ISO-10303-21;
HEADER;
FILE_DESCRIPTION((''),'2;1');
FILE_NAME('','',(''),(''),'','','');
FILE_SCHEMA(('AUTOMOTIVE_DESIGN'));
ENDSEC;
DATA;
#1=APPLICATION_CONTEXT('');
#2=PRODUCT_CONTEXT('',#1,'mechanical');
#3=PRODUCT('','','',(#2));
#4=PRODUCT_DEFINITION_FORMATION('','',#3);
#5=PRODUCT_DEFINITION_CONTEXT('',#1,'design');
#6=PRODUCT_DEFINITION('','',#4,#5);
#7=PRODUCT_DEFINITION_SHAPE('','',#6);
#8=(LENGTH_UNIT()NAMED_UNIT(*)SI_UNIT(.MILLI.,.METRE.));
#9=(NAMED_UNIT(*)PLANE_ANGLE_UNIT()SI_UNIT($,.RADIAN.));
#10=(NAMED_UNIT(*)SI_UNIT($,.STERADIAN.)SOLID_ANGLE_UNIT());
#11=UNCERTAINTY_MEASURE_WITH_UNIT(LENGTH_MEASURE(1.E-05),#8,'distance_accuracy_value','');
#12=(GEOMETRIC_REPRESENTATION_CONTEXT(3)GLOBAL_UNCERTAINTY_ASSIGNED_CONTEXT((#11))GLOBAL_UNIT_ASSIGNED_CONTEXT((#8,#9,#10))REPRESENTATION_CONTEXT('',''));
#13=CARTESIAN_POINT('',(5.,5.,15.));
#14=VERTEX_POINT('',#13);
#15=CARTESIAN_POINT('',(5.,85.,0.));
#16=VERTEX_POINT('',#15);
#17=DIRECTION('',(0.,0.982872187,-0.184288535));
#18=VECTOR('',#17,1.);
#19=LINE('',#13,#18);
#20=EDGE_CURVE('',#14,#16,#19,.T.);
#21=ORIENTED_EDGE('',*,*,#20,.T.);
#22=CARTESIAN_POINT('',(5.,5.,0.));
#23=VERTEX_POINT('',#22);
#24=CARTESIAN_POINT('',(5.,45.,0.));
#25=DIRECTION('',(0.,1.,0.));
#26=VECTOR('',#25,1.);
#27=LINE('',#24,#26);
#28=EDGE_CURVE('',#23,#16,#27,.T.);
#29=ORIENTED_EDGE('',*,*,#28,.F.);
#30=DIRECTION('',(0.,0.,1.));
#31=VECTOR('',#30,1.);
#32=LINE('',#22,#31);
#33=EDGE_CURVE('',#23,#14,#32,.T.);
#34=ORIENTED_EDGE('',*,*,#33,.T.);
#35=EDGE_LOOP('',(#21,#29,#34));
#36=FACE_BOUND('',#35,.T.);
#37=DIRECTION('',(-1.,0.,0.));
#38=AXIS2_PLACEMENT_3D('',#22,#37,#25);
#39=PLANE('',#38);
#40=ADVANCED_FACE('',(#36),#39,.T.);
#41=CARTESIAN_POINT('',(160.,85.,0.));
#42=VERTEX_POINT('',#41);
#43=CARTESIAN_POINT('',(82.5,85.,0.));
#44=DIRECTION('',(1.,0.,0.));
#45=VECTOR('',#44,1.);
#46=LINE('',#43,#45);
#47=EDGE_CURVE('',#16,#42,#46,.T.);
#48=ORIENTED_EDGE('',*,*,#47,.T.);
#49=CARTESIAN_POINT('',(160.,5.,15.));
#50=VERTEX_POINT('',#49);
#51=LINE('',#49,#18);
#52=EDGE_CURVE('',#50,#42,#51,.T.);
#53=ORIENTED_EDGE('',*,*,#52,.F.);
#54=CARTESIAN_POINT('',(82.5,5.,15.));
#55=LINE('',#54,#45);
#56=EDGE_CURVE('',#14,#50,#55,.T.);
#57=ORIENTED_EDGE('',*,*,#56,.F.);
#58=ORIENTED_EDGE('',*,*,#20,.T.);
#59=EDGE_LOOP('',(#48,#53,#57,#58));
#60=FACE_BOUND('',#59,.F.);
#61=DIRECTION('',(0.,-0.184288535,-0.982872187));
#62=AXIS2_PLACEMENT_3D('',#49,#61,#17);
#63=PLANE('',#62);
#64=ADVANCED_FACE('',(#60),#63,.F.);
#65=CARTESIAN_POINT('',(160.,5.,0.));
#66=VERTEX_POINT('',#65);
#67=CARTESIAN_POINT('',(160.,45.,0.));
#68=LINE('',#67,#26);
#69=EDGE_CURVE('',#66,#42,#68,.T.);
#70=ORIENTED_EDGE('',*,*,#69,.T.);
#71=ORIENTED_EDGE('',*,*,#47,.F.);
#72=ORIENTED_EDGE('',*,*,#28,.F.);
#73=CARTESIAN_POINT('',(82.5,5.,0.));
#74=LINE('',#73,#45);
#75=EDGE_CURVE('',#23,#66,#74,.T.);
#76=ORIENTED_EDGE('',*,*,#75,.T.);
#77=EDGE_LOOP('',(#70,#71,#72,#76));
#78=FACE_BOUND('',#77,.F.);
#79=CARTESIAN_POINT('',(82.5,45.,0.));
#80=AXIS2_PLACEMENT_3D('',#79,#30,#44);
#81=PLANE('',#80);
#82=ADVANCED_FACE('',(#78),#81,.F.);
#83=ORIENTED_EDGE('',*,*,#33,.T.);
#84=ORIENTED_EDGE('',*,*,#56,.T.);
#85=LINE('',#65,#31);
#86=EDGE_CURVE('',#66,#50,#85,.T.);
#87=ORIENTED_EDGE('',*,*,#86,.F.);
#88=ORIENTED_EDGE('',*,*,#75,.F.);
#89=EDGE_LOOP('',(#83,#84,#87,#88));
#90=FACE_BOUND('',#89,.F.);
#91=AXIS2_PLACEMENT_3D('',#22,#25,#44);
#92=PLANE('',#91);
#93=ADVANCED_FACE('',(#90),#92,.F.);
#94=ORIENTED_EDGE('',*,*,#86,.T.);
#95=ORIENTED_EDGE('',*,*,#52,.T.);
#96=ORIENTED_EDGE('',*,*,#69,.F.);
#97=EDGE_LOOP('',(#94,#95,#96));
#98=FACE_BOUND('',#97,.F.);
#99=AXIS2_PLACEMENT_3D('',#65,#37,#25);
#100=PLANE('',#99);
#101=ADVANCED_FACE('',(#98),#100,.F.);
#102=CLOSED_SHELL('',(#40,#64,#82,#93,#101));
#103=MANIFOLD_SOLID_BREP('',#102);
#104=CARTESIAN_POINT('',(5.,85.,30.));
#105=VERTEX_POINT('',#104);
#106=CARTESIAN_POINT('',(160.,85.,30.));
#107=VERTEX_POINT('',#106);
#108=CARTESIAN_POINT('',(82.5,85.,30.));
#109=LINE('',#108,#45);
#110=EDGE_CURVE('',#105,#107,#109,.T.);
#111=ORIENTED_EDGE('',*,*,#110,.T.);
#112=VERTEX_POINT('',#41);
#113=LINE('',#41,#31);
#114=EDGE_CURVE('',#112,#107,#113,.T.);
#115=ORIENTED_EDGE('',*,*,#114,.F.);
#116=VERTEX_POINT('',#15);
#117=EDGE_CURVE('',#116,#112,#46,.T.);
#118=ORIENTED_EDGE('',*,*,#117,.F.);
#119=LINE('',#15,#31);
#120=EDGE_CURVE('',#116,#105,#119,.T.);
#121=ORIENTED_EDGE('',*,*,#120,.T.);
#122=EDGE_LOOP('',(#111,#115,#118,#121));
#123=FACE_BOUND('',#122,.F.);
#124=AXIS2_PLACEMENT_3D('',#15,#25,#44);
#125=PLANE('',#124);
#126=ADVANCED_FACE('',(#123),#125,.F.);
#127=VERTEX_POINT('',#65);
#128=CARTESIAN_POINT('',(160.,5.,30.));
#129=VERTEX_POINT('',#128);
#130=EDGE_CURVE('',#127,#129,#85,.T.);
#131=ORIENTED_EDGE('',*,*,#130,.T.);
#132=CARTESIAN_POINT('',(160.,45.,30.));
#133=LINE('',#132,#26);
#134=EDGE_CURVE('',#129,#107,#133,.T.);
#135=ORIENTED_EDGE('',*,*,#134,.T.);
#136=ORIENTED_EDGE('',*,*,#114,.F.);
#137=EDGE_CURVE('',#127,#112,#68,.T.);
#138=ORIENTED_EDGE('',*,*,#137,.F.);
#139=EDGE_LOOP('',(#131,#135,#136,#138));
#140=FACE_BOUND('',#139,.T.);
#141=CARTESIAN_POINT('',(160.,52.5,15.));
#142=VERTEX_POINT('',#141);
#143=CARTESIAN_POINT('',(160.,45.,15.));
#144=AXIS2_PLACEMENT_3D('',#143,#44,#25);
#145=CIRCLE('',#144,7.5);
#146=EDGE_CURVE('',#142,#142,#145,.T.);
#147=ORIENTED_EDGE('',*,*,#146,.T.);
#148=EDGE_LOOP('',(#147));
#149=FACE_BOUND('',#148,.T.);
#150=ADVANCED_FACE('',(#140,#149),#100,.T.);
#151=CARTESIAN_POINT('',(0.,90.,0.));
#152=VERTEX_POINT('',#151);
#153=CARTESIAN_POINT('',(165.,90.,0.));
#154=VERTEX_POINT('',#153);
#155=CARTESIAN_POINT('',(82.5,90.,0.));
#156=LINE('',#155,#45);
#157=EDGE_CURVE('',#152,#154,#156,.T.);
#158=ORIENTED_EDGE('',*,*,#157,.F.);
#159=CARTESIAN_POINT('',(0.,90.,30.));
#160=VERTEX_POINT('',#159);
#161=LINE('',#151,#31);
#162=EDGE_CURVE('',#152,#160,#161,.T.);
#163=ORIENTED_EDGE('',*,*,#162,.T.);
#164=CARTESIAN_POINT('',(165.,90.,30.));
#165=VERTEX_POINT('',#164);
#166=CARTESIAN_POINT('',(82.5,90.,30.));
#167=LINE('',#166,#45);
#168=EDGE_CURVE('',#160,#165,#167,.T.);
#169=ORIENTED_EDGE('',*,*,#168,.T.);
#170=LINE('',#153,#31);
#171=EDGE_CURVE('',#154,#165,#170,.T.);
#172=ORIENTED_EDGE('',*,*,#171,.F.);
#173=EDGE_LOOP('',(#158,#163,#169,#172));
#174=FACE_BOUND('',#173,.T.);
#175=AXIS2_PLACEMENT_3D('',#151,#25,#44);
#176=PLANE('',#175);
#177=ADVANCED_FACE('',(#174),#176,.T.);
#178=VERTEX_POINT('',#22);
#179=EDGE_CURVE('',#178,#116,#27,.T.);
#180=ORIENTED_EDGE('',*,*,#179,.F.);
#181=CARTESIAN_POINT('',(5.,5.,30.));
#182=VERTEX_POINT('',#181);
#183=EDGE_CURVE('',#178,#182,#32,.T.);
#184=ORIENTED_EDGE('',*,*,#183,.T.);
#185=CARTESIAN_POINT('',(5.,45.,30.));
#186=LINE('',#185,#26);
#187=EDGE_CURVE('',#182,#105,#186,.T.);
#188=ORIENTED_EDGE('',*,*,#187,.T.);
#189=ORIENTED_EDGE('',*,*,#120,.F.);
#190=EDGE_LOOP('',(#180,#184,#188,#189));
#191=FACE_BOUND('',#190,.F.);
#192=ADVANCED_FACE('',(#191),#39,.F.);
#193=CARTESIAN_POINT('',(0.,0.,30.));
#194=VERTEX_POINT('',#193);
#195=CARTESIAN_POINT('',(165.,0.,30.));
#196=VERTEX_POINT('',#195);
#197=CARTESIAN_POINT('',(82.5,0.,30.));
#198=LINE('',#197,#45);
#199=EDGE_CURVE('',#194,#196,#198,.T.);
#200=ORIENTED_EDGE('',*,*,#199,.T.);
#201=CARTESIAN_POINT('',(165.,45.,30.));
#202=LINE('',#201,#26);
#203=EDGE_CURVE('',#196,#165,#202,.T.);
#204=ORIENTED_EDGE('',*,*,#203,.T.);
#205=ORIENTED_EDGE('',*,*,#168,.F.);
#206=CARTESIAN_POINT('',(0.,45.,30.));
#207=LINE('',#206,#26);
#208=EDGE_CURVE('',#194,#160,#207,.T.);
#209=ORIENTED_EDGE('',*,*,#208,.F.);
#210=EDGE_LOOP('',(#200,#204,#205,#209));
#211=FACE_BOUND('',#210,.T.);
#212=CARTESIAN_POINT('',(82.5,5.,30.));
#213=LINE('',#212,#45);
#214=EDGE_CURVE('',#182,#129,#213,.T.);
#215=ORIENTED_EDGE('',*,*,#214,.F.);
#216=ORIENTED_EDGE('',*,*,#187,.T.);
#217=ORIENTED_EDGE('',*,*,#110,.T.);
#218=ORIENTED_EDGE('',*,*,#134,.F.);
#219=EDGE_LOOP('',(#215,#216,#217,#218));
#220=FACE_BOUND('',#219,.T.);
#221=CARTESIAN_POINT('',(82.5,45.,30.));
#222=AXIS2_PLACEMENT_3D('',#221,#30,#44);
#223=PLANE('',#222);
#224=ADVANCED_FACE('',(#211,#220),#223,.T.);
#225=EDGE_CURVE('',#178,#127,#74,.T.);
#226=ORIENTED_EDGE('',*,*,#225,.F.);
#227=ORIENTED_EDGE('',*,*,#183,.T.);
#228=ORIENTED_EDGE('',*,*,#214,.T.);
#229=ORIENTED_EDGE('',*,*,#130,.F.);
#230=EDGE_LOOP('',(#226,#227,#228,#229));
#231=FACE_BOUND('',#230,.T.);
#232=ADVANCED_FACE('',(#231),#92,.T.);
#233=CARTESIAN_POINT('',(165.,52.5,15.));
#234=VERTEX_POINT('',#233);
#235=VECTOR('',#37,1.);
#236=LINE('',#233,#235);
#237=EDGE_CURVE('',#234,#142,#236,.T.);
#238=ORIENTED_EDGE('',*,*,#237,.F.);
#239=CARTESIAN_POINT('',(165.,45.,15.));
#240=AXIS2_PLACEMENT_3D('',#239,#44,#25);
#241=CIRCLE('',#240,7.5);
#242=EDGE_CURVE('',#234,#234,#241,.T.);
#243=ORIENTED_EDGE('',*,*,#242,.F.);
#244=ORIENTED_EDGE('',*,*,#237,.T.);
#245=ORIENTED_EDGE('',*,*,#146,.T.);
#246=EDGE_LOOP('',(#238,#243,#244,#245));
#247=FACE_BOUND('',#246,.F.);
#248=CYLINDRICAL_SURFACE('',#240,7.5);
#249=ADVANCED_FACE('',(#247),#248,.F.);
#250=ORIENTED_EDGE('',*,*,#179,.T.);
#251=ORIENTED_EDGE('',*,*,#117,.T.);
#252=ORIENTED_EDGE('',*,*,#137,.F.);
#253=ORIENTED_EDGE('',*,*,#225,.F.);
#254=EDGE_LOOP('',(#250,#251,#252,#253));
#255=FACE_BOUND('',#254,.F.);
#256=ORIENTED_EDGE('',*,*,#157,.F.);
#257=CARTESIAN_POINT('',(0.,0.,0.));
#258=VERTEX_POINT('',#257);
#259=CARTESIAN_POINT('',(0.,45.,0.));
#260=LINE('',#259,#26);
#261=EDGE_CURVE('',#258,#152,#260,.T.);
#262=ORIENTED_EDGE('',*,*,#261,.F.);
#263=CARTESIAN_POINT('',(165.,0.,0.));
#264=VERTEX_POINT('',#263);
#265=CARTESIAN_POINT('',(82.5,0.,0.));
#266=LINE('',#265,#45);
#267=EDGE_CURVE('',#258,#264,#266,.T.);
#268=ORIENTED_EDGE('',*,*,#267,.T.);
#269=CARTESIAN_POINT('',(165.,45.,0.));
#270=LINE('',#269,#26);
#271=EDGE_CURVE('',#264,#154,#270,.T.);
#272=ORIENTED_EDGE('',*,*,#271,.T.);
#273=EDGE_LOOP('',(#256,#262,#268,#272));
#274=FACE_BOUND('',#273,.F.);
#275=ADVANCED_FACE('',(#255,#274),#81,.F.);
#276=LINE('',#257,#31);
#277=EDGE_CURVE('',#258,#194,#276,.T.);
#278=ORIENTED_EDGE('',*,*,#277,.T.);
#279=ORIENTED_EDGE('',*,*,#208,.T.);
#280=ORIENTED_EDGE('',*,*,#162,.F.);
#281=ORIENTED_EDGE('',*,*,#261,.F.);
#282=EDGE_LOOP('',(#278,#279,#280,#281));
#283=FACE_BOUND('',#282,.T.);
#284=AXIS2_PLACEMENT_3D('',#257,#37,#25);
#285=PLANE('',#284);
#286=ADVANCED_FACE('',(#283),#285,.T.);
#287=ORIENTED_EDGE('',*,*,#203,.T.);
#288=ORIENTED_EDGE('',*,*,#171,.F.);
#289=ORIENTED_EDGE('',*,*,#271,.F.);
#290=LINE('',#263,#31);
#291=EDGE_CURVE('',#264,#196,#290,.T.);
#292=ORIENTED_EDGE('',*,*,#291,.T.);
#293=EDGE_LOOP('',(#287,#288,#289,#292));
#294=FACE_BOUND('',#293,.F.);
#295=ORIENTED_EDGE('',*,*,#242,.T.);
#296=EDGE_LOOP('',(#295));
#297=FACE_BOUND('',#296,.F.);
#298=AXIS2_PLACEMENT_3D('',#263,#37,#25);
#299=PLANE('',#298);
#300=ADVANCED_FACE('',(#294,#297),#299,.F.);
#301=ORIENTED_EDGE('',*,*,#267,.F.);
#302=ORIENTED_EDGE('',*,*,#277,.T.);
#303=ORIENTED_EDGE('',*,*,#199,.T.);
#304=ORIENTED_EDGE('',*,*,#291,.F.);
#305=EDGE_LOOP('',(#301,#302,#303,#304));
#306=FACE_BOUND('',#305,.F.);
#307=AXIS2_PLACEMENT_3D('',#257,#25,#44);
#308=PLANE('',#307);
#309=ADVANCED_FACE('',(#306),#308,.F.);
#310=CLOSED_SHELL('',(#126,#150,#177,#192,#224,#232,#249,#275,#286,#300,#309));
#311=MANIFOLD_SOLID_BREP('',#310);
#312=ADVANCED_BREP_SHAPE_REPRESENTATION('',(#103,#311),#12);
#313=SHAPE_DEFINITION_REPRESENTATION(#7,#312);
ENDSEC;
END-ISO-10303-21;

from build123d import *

# Parameters (mm, degrees)
F0_W     = 155
F0_H     = 80
F1_DEPTH = 15
F3_DEPTH = 155
F0_W_2   = 165
F0_H_2   = 90
F4_DEPTH = 30
F5_R     = 7.5
F6_DEPTH = 5


with BuildPart() as f1:
    # F0 (on Top) → F1 (new body)
    with BuildSketch(Plane.XY):
        with Locations((82.5, 45)):
            Rectangle(F0_W, F0_H)
    extrude(amount=F1_DEPTH)

    # F2 (on face) → F3 (cut)
    with BuildSketch(Plane.YZ.offset(160)):
        Polygon((85, 15), (5, 15), (85, 0), align=None)
    extrude(amount=-F3_DEPTH, mode=Mode.SUBTRACT)


with BuildPart() as f4:
    # F0 (on Top) → F4 (new body)
    with BuildSketch(Plane.XY):
        with Locations((82.5, 45)):
            Rectangle(F0_W_2, F0_H_2)
        with Locations((82.5, 45)):
            Rectangle(F0_W, F0_H, mode=Mode.SUBTRACT)
    extrude(amount=F4_DEPTH)

    # F5 (on face) → F6 (cut)
    with BuildSketch(Plane.YZ.offset(165)):
        with Locations((45, 15)):
            Circle(F5_R)
    extrude(amount=-F6_DEPTH, mode=Mode.SUBTRACT)


solid = Compound([f1.part, f4.part])
